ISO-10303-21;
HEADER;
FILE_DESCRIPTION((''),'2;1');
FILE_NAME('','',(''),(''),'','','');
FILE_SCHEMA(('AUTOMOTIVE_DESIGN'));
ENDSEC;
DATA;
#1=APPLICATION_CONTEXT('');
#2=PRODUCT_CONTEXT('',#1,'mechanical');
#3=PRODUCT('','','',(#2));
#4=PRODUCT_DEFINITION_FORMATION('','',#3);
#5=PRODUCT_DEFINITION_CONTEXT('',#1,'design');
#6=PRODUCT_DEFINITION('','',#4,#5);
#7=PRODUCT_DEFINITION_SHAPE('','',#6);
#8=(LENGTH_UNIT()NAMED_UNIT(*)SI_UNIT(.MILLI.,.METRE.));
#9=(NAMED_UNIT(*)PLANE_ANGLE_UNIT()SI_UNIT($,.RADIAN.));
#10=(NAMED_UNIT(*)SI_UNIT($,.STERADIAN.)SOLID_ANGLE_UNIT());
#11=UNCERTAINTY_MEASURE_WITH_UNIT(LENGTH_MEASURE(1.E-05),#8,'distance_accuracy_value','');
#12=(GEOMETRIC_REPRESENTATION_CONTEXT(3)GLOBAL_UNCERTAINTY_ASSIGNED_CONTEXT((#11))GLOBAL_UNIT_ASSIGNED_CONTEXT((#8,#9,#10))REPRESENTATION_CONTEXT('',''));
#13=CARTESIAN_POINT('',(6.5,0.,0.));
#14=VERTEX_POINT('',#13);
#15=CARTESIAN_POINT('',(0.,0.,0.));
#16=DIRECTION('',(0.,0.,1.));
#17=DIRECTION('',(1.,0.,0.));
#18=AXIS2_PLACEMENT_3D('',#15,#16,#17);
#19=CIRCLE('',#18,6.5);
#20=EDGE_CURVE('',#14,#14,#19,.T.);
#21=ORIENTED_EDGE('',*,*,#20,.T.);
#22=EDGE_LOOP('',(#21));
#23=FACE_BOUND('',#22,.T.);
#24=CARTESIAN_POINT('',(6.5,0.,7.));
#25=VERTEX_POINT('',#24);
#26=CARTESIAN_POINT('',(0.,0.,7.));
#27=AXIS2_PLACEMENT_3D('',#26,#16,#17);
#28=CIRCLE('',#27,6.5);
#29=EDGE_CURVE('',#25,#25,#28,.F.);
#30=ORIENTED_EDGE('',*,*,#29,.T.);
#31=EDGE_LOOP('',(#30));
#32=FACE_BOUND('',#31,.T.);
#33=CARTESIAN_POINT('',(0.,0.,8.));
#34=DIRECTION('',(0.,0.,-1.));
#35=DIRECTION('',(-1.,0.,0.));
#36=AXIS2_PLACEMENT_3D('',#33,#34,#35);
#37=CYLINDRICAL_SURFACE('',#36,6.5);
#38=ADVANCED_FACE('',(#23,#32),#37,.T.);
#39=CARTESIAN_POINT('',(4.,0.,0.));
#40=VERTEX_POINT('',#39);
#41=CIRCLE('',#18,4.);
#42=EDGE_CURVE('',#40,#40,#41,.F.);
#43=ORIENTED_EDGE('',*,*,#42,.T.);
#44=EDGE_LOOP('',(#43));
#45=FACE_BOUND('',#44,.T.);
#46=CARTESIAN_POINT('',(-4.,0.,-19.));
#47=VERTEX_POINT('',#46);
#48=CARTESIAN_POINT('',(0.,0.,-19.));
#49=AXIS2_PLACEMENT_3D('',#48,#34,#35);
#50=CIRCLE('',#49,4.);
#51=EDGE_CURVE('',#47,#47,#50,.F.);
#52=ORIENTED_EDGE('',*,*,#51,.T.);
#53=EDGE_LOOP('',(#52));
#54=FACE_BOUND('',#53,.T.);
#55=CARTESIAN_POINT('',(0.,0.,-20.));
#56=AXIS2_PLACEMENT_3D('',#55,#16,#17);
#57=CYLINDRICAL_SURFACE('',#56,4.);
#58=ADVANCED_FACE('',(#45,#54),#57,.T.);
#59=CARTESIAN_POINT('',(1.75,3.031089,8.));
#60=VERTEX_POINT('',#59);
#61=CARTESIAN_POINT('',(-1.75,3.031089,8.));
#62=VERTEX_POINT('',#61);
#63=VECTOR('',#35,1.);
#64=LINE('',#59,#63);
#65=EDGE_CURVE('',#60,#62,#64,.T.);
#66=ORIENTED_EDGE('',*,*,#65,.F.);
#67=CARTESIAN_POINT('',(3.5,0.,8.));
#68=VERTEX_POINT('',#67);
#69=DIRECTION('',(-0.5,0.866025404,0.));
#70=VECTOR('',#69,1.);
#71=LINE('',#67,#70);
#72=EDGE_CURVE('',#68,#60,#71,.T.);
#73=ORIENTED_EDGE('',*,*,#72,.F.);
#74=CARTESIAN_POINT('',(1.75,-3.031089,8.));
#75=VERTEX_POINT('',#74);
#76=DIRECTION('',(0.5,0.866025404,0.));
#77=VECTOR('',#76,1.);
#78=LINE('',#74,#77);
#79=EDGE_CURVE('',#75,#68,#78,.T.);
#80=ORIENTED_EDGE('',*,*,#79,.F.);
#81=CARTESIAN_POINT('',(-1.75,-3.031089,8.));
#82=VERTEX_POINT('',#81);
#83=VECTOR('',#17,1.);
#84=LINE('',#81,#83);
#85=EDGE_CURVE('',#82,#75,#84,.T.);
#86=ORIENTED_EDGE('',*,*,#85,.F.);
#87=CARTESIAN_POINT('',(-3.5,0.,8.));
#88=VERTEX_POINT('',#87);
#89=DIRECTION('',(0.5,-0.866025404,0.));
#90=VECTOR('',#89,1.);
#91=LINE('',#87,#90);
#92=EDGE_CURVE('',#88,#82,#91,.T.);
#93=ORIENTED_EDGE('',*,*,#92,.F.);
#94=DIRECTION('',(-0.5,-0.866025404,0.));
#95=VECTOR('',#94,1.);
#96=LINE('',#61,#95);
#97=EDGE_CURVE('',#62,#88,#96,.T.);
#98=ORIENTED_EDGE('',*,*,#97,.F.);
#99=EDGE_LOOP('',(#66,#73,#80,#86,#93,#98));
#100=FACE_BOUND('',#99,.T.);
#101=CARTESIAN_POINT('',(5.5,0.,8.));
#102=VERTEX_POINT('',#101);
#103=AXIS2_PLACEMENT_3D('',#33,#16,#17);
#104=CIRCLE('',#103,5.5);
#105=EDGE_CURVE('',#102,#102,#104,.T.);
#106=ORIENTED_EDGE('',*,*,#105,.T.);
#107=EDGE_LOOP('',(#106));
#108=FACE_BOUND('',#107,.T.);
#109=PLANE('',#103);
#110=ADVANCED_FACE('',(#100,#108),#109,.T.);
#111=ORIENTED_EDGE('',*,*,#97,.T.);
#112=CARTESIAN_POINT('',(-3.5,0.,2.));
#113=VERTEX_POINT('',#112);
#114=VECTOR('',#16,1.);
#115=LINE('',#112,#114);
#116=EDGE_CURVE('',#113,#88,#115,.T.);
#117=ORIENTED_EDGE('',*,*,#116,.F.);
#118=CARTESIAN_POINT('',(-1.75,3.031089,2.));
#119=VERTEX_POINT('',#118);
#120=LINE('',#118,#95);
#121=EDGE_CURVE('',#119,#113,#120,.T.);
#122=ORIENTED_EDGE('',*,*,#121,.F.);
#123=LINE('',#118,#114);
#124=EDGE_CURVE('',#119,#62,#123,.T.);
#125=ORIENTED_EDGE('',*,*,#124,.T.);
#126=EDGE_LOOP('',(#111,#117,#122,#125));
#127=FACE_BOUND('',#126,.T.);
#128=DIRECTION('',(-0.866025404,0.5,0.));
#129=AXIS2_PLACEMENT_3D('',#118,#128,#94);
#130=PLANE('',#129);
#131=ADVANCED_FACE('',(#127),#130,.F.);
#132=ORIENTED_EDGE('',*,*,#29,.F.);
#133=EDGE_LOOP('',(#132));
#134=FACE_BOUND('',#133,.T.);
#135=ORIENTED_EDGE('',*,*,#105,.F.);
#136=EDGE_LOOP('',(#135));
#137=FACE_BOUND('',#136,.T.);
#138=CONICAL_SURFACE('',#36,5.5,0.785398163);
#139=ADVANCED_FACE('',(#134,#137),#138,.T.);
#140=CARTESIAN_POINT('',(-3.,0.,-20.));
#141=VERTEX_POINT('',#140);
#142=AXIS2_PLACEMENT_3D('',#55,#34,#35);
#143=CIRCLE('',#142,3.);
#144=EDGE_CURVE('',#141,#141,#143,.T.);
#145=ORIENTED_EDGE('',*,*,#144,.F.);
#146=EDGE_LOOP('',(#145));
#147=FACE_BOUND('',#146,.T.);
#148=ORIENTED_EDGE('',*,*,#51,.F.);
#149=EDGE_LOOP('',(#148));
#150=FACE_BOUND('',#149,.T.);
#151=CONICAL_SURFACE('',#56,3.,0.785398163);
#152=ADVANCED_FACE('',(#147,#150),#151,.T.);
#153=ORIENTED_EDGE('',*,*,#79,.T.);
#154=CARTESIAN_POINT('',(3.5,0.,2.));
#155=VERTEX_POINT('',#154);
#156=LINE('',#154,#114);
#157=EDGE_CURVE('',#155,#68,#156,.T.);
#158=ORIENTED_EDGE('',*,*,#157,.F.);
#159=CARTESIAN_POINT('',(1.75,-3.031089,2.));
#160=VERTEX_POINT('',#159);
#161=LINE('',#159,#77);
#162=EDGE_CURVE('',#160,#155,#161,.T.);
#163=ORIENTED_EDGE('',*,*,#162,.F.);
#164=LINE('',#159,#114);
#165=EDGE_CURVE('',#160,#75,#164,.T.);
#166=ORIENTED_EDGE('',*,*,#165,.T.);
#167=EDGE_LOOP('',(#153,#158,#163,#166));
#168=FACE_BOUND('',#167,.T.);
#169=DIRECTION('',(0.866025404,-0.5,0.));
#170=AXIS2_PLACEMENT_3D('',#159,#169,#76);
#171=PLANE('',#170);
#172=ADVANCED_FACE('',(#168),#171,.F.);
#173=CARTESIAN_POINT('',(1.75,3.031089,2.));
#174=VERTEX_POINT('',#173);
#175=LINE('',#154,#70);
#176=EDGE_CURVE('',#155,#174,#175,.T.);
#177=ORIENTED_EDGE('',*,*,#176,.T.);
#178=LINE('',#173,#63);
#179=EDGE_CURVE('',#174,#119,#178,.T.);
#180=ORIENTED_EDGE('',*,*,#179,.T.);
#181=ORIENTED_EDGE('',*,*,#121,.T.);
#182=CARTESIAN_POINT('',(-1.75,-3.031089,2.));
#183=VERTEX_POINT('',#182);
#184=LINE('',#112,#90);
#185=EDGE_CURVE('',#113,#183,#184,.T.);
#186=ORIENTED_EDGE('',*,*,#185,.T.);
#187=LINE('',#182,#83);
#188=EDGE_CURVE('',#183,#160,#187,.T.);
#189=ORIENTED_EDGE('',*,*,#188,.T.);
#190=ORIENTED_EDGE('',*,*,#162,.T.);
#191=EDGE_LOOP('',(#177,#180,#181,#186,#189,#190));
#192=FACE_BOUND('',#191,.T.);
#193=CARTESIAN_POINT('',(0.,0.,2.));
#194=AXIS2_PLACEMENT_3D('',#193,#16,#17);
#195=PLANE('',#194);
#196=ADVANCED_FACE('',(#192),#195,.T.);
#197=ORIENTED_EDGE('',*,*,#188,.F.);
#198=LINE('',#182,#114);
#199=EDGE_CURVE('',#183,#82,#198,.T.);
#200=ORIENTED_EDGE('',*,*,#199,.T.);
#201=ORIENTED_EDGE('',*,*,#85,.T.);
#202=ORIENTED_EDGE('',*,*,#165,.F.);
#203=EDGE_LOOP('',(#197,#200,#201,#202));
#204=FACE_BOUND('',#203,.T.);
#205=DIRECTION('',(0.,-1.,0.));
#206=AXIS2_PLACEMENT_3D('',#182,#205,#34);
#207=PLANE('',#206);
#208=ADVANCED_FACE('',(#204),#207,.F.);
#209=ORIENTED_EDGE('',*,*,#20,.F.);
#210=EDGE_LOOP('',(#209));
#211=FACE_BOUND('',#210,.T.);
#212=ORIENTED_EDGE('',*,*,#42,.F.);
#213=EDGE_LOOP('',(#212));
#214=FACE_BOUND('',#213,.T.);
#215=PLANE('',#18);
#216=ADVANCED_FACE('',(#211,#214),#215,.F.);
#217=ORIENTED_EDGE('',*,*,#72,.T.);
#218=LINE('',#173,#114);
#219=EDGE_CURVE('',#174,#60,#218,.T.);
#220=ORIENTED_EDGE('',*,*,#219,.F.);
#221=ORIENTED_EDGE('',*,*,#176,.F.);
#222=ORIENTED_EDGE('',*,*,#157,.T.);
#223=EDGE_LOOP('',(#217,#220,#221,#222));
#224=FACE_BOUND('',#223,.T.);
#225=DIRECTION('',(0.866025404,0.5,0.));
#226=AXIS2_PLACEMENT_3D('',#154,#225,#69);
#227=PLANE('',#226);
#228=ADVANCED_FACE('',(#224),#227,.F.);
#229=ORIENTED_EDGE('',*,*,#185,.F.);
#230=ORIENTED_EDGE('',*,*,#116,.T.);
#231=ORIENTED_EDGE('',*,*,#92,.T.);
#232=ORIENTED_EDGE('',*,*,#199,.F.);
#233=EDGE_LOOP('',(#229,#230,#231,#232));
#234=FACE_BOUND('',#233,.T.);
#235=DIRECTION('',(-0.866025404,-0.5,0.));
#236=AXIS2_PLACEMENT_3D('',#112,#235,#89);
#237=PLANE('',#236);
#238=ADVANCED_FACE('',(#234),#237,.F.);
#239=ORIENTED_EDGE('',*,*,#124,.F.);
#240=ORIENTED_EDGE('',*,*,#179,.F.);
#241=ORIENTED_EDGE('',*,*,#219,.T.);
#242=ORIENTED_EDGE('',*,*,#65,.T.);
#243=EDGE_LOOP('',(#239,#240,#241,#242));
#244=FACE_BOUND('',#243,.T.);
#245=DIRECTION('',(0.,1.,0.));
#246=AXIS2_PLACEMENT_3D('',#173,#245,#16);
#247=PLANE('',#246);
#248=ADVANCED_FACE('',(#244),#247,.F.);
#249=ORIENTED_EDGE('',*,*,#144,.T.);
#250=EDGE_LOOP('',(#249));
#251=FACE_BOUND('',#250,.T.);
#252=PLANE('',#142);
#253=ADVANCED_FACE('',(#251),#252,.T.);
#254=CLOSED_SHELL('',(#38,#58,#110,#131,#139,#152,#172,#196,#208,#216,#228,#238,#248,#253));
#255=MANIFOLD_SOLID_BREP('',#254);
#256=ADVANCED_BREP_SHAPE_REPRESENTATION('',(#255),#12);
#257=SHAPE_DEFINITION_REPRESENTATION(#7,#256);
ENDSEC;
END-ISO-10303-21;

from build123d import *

# Parameters (mm, degrees)
CROQUIS1_R              = 6.5
SALIENTE_EXTRUIR1_DEPTH = 8
CROQUIS2_R              = 4
SALIENTE_EXTRUIR2_DEPTH = 20
CHAFL_N1_SIZE           = 1
CORTAR_EXTRUIR1_DEPTH   = 6


with BuildPart() as part:
    # Croquis1 → Saliente-Extruir1 (new body)
    with BuildSketch(Plane.XY):
        Circle(CROQUIS1_R)
    extrude(amount=SALIENTE_EXTRUIR1_DEPTH)

    # Croquis2 → Saliente-Extruir2 (add)
    with BuildSketch(Plane(origin=(0, 0, 0), x_dir=(-1, 0, 0), z_dir=(0, 0, -1))):
        with Locations(Location((0, 0, 0), (0, 0, 180))):
            Circle(CROQUIS2_R)
    extrude(amount=SALIENTE_EXTRUIR2_DEPTH)

    # Chaflán1
    chafl_n1_edges = [part.edges().sort_by_distance(p)[0] for p in [
        (-6.5, 0, 8),
        (-4, 0, -20),
    ]]
    chamfer(chafl_n1_edges, length=CHAFL_N1_SIZE)

    # Croquis3 → Cortar-Extruir1 (cut)
    with BuildSketch(Plane.XY.offset(8)):
        Polygon((3.5, 0), (1.75, 3.031088913), (-1.75, 3.031088913), (-3.5, 0), (-1.75, -3.031088913), (1.75, -3.031088913), align=None)
    extrude(amount=-CORTAR_EXTRUIR1_DEPTH, mode=Mode.SUBTRACT)


solid = part.part
